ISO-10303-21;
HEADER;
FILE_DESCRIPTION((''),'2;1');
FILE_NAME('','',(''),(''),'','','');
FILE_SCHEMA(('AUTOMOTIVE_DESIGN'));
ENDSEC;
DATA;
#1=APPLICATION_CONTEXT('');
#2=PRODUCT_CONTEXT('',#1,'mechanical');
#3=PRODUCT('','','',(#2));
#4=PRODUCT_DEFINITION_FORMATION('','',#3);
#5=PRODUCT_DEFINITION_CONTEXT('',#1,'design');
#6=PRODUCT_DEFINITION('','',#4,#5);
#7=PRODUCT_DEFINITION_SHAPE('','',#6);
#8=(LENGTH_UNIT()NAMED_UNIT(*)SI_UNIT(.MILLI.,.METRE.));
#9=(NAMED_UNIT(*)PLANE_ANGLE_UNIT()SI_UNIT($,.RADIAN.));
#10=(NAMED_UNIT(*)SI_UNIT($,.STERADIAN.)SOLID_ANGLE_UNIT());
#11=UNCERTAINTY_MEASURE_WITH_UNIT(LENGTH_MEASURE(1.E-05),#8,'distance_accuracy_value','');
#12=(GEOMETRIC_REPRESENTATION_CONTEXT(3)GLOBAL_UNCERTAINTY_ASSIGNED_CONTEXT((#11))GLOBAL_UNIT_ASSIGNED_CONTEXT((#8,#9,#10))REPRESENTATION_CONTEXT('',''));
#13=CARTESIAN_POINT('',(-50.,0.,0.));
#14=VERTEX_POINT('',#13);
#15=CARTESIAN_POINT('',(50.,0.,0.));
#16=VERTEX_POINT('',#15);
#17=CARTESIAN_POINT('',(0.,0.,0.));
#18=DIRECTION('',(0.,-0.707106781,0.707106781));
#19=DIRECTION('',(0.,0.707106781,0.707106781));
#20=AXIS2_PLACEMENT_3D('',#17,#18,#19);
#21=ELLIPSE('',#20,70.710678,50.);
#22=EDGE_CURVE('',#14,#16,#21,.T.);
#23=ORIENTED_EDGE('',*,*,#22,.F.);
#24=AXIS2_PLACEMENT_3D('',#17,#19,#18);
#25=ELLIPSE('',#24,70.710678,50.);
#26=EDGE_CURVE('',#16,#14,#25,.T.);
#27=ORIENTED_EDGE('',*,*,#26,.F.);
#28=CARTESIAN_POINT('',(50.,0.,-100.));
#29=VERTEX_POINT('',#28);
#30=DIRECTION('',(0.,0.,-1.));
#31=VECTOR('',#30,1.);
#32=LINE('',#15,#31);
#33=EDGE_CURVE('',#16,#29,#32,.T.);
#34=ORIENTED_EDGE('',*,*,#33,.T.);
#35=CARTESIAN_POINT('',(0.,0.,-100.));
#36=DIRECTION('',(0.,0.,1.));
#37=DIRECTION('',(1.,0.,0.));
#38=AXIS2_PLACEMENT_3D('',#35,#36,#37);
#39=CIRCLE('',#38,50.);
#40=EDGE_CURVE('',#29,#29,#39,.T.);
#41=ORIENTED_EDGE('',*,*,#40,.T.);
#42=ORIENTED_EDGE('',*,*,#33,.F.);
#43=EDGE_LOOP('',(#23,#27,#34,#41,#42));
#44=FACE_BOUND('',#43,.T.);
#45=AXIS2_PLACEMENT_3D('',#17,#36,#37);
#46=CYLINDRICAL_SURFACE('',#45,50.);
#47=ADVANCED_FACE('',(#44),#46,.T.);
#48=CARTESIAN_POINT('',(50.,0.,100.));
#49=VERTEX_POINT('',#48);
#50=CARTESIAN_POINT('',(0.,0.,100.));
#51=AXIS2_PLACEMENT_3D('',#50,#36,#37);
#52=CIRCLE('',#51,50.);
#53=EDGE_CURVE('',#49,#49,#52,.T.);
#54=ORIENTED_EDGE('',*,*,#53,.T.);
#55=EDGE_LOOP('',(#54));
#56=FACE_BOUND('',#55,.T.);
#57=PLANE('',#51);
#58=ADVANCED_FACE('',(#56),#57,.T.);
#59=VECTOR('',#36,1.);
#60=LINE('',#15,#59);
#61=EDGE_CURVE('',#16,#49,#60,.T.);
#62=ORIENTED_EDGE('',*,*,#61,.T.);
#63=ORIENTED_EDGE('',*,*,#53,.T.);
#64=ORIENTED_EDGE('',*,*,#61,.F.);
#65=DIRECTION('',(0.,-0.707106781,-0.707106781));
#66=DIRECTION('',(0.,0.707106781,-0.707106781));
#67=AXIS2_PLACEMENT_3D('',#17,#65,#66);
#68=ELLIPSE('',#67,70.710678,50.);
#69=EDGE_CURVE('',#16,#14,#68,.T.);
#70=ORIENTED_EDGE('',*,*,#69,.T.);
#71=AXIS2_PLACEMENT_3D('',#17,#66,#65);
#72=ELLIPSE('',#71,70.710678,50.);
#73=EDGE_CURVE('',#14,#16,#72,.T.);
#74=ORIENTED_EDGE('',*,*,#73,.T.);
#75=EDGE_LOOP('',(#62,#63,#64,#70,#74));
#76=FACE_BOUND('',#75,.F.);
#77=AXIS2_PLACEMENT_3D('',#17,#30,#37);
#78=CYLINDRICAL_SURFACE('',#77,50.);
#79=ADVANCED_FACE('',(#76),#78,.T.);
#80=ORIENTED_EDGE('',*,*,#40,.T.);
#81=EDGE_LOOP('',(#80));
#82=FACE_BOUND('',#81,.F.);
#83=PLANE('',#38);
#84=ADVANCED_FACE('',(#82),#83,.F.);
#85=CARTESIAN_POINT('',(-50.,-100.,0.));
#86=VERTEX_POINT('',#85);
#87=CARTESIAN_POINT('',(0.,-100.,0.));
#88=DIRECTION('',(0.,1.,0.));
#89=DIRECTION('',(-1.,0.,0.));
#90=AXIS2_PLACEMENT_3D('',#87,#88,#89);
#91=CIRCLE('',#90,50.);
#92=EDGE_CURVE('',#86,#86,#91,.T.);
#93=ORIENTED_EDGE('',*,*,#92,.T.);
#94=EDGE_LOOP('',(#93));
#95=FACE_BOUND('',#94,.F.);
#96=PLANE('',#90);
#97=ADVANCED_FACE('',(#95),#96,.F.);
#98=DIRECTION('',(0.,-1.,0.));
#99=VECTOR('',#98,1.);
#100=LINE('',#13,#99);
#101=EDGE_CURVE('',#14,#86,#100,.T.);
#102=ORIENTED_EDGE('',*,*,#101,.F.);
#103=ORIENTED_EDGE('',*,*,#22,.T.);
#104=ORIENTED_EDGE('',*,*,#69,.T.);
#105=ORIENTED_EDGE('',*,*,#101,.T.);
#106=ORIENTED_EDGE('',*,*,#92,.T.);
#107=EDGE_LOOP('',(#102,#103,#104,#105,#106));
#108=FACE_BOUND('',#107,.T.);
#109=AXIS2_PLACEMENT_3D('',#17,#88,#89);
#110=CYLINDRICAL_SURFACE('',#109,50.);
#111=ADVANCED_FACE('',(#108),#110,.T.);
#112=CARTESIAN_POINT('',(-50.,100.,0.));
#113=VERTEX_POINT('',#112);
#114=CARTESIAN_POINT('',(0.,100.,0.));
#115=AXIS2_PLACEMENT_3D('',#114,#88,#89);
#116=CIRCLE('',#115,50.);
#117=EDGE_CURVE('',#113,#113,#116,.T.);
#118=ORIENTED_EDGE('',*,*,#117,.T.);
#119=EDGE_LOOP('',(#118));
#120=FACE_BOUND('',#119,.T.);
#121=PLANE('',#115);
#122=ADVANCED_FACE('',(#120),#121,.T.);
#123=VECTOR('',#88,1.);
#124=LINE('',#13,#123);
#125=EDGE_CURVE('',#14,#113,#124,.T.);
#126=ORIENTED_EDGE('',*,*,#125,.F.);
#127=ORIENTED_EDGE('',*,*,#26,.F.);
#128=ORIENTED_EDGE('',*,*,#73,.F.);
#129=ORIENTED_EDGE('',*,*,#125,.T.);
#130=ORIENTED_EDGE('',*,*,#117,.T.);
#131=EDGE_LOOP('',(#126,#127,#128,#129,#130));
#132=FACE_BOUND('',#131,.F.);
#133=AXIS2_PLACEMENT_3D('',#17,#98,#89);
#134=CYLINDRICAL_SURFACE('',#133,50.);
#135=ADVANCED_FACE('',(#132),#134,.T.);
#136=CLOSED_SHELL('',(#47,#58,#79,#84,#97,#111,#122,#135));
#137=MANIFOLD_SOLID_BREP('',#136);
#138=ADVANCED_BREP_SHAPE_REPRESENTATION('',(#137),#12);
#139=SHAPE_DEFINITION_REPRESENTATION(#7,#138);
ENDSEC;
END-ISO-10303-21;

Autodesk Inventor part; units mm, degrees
ref_plane "YZ Plane" through (0, 0, 0) normal (1, 0, 0) x (0, 1, 0)
ref_plane "XZ Plane" through (0, 0, 0) normal (0, 1, 0) x (-1, 0, 0)
ref_plane "XY Plane" through (0, 0, 0) normal (0, 0, 1) x (1, 0, 0)
sketch "Sketch1" plane through (0, 0, 0) normal (0, 0, 1) x (1, 0, 0)
  circle A0 centre (0, 0) radius 50
  dimension "d7" = 50
extrude "Extrusion1" add sketch "Sketch1" along normal mid plane 200
sketch "Sketch2" plane through (0, 0, 0) normal (0, 1, 0) x (-1, 0, 0)
  circle A0 centre (0, 0) radius 50
  dimension "d8" = 50
extrude "Extrusion2" add sketch "Sketch2" along normal mid plane 200
equation "\"d7\" = rod_radius"
equation "\"d1\" = U_length"
equation "\"d8\" = rod_radius"
equation "\"d4\" = U_length"
equation "\"rod_radius\" = 50"
equation "\"U_length\" = 4 * rod_radius"
properties part number "U_Joint_Center"
